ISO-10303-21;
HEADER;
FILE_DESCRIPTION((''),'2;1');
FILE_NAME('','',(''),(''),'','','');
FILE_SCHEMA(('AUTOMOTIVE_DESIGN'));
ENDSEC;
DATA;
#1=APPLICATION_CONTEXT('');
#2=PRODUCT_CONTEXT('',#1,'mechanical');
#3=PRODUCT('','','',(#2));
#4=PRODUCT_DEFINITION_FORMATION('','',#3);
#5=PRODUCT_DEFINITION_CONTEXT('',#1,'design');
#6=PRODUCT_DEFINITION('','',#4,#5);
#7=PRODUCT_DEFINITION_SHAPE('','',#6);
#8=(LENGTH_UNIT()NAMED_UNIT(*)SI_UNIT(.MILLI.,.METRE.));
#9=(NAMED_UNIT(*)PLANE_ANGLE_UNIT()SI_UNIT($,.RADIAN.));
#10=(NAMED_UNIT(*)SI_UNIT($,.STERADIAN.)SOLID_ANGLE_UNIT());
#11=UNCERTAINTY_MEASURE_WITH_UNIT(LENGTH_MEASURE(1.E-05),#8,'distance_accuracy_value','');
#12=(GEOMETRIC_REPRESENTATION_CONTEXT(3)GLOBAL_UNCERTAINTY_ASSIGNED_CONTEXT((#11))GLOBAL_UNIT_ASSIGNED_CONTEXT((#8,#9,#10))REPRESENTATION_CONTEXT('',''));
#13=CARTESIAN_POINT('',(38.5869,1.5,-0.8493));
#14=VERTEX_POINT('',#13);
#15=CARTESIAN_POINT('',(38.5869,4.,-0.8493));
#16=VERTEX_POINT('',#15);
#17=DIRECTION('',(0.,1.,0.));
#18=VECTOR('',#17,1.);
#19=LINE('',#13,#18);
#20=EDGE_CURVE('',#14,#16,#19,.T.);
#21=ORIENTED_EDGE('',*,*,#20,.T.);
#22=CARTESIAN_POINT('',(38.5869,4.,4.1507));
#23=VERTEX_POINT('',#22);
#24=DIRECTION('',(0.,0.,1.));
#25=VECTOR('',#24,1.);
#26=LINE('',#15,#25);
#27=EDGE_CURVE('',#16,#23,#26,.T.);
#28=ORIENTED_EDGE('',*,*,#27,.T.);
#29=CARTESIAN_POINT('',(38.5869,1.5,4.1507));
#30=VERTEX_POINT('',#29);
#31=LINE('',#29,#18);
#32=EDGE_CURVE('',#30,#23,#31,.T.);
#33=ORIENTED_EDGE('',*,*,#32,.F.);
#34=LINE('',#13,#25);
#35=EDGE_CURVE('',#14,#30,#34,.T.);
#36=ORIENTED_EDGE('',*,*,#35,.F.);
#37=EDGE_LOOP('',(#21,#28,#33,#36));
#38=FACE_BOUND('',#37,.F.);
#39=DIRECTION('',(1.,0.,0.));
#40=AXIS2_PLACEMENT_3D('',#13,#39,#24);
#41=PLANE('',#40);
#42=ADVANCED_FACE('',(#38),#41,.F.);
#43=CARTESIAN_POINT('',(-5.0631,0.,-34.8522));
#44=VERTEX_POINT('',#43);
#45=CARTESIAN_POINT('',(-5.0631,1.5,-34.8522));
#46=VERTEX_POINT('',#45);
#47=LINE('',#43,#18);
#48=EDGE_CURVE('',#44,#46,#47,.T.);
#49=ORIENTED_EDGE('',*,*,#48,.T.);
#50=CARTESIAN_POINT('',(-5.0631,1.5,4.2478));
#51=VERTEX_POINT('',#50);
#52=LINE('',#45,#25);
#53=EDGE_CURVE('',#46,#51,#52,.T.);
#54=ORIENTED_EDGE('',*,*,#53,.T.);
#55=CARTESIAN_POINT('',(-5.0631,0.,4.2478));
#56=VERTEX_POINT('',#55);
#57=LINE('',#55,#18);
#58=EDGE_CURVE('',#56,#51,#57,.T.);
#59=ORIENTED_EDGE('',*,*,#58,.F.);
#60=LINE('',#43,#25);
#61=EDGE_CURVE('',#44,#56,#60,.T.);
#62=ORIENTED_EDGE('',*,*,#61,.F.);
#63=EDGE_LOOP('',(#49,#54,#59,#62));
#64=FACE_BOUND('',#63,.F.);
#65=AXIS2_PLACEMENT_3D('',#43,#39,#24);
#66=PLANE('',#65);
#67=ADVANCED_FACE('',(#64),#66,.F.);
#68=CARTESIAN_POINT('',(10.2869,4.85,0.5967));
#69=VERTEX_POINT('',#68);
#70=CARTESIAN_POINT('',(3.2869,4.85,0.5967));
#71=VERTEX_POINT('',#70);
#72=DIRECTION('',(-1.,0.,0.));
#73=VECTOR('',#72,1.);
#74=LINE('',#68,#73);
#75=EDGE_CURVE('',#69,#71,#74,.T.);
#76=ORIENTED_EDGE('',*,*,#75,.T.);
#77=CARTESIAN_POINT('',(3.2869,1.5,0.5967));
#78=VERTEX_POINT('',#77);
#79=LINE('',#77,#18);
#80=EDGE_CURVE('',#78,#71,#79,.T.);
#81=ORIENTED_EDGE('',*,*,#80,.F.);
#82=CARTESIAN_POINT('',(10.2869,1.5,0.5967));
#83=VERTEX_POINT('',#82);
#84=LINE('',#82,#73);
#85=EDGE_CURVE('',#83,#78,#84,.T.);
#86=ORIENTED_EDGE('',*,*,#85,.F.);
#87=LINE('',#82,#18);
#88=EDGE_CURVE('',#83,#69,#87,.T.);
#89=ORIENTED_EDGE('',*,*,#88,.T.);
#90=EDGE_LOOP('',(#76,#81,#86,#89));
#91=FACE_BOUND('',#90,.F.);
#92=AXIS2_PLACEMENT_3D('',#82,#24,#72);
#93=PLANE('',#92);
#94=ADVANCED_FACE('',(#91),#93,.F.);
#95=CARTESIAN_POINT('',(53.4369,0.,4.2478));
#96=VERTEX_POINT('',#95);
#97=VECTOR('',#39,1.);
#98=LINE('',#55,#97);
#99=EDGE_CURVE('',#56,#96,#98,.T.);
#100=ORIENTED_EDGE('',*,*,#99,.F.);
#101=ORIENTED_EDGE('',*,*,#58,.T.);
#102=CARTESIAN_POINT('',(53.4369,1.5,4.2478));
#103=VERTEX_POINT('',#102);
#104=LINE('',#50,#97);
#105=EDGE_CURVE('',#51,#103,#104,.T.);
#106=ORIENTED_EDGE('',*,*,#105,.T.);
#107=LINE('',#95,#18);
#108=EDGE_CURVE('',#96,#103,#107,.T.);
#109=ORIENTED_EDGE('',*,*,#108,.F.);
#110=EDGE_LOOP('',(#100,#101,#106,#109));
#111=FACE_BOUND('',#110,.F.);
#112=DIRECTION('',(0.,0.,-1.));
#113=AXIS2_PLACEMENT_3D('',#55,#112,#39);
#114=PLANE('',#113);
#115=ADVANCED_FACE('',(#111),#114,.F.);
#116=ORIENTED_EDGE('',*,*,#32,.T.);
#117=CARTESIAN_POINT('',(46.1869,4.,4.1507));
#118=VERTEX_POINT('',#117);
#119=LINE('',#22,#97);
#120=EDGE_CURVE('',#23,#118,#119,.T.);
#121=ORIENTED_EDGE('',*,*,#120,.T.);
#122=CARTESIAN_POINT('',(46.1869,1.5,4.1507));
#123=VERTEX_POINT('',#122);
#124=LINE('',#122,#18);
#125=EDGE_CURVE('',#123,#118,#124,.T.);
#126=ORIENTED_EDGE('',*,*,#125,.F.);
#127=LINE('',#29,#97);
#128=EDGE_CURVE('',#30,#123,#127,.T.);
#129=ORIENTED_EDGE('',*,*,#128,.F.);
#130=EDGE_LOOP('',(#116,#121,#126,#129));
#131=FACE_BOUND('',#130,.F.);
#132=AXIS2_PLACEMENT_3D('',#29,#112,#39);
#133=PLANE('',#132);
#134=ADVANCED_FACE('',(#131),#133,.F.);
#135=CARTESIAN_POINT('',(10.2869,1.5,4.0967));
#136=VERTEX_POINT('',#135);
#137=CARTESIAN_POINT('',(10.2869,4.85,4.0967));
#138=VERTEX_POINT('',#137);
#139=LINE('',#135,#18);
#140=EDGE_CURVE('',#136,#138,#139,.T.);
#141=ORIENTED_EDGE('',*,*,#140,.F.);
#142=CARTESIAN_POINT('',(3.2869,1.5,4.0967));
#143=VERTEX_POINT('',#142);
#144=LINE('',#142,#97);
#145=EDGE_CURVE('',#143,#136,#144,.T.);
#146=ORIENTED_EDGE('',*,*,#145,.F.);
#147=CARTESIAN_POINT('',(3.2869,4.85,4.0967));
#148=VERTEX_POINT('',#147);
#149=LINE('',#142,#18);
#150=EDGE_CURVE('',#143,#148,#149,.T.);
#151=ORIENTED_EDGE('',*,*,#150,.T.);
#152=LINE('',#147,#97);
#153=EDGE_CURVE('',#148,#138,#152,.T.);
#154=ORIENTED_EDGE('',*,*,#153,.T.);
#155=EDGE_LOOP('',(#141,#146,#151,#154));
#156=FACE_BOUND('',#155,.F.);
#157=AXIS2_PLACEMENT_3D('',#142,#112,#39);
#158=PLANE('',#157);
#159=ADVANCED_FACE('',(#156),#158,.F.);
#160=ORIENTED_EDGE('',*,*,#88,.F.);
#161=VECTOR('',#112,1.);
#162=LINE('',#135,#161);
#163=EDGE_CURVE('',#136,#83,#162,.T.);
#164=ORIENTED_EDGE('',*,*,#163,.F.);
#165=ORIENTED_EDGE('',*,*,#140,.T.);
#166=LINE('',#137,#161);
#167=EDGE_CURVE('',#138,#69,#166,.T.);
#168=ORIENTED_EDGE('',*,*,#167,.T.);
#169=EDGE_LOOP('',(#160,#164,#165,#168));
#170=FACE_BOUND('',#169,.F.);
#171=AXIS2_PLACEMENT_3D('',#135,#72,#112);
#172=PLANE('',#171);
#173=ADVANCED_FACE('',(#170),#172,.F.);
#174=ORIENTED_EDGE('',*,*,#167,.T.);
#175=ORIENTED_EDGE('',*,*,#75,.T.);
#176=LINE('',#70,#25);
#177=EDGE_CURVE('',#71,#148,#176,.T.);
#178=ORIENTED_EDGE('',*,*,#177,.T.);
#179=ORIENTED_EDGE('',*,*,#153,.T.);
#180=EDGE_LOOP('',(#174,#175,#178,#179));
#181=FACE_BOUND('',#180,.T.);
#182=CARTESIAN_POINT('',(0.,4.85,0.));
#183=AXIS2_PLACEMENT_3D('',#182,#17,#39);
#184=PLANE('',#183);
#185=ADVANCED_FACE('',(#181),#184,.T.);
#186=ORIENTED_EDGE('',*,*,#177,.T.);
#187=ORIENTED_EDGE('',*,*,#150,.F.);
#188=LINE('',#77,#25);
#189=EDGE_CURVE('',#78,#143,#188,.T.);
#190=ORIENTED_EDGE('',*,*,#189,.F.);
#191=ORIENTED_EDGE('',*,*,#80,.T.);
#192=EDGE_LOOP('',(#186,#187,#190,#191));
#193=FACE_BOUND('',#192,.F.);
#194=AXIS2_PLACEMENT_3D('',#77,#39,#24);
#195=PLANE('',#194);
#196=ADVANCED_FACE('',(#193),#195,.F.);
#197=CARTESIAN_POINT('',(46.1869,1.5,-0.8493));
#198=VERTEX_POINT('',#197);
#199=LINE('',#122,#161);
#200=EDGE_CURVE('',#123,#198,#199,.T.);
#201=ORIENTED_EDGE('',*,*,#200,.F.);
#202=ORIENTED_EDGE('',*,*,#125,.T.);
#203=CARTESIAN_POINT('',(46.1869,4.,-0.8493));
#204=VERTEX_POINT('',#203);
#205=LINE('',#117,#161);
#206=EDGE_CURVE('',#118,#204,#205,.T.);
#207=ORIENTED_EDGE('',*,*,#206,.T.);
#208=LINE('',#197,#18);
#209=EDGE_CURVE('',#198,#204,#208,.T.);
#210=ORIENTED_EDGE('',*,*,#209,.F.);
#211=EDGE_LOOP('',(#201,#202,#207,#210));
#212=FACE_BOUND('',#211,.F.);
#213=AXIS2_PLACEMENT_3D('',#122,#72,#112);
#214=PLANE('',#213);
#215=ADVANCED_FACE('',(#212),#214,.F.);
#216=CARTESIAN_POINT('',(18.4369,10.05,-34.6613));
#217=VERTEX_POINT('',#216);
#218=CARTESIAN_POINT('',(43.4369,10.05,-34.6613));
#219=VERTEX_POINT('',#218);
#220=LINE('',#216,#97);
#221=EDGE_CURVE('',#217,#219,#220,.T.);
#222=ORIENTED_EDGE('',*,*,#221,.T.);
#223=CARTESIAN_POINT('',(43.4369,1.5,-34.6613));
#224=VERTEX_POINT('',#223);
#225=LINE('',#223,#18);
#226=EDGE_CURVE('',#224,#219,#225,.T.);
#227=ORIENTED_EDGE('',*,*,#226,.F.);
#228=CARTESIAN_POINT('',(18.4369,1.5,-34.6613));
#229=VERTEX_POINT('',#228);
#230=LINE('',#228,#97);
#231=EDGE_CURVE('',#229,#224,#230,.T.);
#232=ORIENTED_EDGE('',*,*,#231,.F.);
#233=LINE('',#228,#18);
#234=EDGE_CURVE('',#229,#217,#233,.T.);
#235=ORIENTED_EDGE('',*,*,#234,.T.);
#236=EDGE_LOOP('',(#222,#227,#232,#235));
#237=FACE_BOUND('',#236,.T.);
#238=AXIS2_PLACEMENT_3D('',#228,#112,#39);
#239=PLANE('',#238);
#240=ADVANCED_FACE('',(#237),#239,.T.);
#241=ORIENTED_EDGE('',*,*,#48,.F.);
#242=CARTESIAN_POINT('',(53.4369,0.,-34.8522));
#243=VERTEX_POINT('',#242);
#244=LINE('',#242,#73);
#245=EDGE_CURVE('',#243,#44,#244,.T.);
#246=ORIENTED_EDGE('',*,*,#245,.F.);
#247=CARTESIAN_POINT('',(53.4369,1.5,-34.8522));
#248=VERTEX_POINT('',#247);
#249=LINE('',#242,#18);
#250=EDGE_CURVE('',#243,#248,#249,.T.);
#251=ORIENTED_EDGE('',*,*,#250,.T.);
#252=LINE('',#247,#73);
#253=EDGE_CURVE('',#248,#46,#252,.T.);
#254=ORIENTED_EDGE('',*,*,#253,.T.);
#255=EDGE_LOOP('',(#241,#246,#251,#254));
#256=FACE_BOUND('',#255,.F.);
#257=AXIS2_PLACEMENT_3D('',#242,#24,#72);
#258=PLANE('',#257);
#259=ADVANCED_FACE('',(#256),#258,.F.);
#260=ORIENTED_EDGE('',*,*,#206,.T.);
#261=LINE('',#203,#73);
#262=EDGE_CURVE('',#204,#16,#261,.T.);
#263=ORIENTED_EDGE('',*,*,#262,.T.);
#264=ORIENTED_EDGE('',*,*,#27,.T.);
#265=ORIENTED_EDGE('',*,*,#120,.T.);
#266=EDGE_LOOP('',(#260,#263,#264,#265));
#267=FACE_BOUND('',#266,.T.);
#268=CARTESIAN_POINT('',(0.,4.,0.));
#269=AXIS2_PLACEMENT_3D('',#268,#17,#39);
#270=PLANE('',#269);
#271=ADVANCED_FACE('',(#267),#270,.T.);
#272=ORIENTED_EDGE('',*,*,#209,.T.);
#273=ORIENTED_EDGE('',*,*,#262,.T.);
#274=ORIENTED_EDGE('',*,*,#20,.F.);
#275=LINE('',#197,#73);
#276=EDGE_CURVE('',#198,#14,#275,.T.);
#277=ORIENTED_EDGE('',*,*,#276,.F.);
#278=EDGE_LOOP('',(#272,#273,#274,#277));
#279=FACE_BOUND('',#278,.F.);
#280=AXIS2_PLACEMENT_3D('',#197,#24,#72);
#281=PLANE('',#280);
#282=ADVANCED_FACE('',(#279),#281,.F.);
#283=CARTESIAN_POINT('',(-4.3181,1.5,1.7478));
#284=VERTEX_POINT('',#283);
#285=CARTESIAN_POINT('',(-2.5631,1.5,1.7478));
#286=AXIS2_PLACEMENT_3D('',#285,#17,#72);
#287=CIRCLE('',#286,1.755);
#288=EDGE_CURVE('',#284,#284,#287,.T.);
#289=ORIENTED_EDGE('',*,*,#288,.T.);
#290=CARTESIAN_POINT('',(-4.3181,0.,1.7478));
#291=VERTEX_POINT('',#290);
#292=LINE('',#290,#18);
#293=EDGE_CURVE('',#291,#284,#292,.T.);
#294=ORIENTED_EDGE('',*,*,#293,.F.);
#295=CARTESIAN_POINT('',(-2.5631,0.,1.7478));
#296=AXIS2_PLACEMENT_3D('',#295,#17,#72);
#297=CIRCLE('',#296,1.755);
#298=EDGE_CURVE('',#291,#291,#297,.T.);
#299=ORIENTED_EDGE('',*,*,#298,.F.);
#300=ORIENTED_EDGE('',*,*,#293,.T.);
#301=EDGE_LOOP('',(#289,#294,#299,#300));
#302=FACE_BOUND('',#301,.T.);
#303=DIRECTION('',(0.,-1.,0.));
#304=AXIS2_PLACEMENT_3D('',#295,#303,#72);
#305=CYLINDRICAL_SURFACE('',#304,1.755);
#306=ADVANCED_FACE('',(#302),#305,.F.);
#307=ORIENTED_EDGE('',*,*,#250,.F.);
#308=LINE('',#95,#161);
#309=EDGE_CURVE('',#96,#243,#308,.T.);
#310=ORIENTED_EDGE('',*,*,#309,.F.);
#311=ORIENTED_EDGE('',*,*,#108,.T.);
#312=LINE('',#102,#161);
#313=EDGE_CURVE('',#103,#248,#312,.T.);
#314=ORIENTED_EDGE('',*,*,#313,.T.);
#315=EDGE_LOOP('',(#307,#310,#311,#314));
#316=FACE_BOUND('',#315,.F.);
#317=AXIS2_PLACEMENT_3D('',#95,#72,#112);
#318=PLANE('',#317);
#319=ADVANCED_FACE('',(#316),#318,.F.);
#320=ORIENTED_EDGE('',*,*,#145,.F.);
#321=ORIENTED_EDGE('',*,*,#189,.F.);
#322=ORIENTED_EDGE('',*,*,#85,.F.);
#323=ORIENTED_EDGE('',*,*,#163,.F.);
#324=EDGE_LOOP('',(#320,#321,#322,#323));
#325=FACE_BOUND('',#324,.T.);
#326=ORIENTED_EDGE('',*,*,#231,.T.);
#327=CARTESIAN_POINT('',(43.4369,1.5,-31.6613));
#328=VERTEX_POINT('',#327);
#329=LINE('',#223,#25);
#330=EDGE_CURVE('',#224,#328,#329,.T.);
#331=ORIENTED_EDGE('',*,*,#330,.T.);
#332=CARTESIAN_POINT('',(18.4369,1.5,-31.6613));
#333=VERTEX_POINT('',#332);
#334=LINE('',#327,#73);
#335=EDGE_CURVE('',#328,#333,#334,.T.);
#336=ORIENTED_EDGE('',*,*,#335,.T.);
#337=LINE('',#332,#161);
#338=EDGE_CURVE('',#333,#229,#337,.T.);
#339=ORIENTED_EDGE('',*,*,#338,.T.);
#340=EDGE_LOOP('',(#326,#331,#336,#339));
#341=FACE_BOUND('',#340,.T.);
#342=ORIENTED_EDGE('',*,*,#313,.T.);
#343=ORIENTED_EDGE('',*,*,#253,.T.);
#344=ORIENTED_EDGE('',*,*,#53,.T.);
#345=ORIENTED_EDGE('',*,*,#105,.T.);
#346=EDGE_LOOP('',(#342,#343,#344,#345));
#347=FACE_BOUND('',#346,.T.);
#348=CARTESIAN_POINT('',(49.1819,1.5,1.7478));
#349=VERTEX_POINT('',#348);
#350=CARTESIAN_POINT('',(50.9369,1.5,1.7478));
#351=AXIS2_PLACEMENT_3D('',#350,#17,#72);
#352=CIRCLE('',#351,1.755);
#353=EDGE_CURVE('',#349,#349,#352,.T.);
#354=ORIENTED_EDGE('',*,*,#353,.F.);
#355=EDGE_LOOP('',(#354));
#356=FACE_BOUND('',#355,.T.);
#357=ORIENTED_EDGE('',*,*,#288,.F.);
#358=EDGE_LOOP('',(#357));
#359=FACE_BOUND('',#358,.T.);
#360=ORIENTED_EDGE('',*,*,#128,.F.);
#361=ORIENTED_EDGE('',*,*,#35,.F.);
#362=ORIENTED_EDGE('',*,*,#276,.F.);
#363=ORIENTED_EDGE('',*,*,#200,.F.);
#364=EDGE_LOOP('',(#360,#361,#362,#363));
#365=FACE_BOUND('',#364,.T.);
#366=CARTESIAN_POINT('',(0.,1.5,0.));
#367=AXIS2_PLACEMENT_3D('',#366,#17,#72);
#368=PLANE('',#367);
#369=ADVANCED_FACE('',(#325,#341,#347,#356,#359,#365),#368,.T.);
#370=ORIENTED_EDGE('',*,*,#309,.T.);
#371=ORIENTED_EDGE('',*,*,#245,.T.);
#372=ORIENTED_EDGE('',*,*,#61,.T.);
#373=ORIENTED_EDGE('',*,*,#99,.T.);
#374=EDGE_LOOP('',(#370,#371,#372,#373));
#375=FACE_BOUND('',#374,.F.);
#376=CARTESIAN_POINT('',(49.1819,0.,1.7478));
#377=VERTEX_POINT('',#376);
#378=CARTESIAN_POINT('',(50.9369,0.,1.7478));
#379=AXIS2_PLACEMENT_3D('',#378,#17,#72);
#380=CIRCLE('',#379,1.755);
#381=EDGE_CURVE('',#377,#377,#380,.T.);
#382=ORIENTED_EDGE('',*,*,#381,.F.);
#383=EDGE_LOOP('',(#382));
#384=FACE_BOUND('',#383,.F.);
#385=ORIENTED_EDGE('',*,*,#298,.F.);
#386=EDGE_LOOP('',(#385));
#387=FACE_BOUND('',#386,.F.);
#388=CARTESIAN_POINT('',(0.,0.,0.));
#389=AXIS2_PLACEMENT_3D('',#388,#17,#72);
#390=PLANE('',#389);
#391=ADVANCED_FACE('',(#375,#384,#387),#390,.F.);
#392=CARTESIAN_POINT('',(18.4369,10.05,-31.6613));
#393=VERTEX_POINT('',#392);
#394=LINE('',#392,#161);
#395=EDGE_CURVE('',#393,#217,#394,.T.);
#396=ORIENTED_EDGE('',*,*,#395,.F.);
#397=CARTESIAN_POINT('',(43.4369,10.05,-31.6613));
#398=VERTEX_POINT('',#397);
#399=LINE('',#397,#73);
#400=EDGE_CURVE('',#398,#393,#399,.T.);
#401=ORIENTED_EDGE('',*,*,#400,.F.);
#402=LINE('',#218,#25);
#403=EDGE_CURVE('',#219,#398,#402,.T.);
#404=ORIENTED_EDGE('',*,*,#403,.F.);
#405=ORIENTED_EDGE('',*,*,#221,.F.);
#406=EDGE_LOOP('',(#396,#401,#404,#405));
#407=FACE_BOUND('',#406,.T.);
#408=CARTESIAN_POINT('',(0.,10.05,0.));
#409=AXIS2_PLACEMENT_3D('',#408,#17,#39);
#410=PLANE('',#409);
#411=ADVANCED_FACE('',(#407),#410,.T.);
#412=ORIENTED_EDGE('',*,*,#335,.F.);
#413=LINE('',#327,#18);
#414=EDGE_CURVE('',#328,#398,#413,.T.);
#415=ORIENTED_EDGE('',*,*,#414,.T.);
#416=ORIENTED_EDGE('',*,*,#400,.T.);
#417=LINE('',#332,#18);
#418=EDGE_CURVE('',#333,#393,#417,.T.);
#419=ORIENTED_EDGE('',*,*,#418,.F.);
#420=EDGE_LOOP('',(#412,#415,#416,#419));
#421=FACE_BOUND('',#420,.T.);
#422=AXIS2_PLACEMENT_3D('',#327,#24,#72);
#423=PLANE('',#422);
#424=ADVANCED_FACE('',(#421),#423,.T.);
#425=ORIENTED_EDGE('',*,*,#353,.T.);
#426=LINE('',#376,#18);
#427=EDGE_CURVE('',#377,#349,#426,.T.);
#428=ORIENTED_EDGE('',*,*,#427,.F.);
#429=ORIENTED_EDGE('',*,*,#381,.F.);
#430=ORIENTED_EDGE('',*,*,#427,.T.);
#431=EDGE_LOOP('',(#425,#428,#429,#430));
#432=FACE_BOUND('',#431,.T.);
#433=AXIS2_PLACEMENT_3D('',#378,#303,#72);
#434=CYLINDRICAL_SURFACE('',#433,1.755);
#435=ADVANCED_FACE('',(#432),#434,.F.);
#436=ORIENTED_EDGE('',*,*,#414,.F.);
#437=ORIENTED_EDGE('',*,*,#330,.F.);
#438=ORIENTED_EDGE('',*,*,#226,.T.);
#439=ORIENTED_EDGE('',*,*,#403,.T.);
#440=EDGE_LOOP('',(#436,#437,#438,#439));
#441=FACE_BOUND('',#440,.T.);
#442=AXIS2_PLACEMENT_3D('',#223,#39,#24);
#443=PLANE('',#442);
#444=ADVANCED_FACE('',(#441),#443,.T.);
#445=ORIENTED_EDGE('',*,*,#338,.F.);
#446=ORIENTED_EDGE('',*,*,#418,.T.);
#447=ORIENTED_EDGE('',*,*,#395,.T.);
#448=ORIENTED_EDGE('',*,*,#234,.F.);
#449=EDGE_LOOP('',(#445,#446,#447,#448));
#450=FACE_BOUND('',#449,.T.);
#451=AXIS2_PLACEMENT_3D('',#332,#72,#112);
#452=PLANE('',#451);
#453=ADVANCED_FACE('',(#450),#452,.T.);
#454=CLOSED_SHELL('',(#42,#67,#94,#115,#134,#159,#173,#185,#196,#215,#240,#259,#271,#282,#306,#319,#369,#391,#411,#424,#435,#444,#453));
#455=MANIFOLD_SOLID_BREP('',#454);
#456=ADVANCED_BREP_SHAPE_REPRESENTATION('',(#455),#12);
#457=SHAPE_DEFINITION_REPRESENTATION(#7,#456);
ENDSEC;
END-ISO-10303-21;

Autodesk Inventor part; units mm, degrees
ref_plane "YZ Plane" through (0, 0, 0) normal (1, 0, 0) x (0, 1, 0)
ref_plane "XZ Plane" through (0, 0, 0) normal (0, 1, 0) x (-1, 0, 0)
ref_plane "XY Plane" through (0, 0, 0) normal (0, 0, 1) x (1, 0, 0)
sketch "Base Board" plane through (0, 0, 0) normal (0, 1, 0) x (-1, 0, 0)
  line L0 (5.0631, 4.2478) -> (-53.4369, 4.2478)
  line L1 (-53.4369, 4.2478) -> (-53.4369, -34.8522)
  line L2 (-53.4369, -34.8522) -> (5.0631, -34.8522)
  line L3 (5.0631, -34.8522) -> (5.0631, 4.2478)
  circle A0 centre (2.5631, 1.7478) radius 1.755
  circle A1 centre (-50.9369, 1.7478) radius 1.755
  point P0 (0, 0)
  dimension "d0" = 58.5
  dimension "d1" = 39.1
  dimension "d6" = 3.51
  dimension "d8" = 3.51
  dimension "d10" = 2.5
  dimension "d11" = 2.5
  dimension "d12" = 2.5
  dimension "d13" = 2.5
extrude "Base Extrusion" add sketch "Base Board" along normal blind 1.5
sketch "Sketch2" plane through (0, 1.5, 0) normal (0, 1, 0) x (1, 0, 0)
  line L0 (38.5869, -4.1507) -> (46.1869, -4.1507)
  line L1 (46.1869, -4.1507) -> (46.1869, 0.8493)
  line L2 (46.1869, 0.8493) -> (38.5869, 0.8493)
  line L3 (38.5869, 0.8493) -> (38.5869, -4.1507)
  line L4 (-5.0631, 34.8522) -> (-5.0631, -4.2478) projected
  line L5 (53.4369, -4.2478) -> (53.4369, 34.8522) projected
  dimension "d16" = 7.6
  dimension "d17" = 5
  dimension "d21" = 7.25
extrude "MicroUSB slot" add sketch "Sketch2" along normal blind 2.5
sketch "Sketch3" plane through (0, 1.5, 0) normal (0, 1, 0) x (1, 0, 0)
  line L0 (3.2869, -4.0967) -> (10.2869, -4.0967)
  line L1 (10.2869, -4.0967) -> (10.2869, -0.5967)
  line L2 (10.2869, -0.5967) -> (3.2869, -0.5967)
  line L3 (3.2869, -0.5967) -> (3.2869, -4.0967)
  line L4 (-5.0631, 34.8522) -> (-5.0631, -4.2478) projected
  point P0 (0, 0)
  dimension "d22" = 7
  dimension "d23" = 3.5
  dimension "d24" = 8.35
extrude "Reset Button" add sketch "Sketch3" along normal blind 3.35
sketch "Sketch4" plane through (0, 1.5, 0) normal (0, 1, 0) x (1, 0, 0)
  line L0 (43.4369, 31.6613) -> (18.4369, 31.6613)
  line L1 (18.4369, 31.6613) -> (18.4369, 34.6613)
  line L2 (18.4369, 34.6613) -> (43.4369, 34.6613)
  line L3 (43.4369, 34.6613) -> (43.4369, 31.6613)
  line L4 (53.4369, -4.2478) -> (53.4369, 34.8522) projected
  point P0 (0, 0)
  point P1 (43.4369, 33.1613)
  dimension "d27" = 25
  dimension "d28" = 3
  dimension "d29" = 10
extrude "Extrusion4" add sketch "Sketch4" along normal blind 8.55
properties part number "XDSEmulatorModule"
